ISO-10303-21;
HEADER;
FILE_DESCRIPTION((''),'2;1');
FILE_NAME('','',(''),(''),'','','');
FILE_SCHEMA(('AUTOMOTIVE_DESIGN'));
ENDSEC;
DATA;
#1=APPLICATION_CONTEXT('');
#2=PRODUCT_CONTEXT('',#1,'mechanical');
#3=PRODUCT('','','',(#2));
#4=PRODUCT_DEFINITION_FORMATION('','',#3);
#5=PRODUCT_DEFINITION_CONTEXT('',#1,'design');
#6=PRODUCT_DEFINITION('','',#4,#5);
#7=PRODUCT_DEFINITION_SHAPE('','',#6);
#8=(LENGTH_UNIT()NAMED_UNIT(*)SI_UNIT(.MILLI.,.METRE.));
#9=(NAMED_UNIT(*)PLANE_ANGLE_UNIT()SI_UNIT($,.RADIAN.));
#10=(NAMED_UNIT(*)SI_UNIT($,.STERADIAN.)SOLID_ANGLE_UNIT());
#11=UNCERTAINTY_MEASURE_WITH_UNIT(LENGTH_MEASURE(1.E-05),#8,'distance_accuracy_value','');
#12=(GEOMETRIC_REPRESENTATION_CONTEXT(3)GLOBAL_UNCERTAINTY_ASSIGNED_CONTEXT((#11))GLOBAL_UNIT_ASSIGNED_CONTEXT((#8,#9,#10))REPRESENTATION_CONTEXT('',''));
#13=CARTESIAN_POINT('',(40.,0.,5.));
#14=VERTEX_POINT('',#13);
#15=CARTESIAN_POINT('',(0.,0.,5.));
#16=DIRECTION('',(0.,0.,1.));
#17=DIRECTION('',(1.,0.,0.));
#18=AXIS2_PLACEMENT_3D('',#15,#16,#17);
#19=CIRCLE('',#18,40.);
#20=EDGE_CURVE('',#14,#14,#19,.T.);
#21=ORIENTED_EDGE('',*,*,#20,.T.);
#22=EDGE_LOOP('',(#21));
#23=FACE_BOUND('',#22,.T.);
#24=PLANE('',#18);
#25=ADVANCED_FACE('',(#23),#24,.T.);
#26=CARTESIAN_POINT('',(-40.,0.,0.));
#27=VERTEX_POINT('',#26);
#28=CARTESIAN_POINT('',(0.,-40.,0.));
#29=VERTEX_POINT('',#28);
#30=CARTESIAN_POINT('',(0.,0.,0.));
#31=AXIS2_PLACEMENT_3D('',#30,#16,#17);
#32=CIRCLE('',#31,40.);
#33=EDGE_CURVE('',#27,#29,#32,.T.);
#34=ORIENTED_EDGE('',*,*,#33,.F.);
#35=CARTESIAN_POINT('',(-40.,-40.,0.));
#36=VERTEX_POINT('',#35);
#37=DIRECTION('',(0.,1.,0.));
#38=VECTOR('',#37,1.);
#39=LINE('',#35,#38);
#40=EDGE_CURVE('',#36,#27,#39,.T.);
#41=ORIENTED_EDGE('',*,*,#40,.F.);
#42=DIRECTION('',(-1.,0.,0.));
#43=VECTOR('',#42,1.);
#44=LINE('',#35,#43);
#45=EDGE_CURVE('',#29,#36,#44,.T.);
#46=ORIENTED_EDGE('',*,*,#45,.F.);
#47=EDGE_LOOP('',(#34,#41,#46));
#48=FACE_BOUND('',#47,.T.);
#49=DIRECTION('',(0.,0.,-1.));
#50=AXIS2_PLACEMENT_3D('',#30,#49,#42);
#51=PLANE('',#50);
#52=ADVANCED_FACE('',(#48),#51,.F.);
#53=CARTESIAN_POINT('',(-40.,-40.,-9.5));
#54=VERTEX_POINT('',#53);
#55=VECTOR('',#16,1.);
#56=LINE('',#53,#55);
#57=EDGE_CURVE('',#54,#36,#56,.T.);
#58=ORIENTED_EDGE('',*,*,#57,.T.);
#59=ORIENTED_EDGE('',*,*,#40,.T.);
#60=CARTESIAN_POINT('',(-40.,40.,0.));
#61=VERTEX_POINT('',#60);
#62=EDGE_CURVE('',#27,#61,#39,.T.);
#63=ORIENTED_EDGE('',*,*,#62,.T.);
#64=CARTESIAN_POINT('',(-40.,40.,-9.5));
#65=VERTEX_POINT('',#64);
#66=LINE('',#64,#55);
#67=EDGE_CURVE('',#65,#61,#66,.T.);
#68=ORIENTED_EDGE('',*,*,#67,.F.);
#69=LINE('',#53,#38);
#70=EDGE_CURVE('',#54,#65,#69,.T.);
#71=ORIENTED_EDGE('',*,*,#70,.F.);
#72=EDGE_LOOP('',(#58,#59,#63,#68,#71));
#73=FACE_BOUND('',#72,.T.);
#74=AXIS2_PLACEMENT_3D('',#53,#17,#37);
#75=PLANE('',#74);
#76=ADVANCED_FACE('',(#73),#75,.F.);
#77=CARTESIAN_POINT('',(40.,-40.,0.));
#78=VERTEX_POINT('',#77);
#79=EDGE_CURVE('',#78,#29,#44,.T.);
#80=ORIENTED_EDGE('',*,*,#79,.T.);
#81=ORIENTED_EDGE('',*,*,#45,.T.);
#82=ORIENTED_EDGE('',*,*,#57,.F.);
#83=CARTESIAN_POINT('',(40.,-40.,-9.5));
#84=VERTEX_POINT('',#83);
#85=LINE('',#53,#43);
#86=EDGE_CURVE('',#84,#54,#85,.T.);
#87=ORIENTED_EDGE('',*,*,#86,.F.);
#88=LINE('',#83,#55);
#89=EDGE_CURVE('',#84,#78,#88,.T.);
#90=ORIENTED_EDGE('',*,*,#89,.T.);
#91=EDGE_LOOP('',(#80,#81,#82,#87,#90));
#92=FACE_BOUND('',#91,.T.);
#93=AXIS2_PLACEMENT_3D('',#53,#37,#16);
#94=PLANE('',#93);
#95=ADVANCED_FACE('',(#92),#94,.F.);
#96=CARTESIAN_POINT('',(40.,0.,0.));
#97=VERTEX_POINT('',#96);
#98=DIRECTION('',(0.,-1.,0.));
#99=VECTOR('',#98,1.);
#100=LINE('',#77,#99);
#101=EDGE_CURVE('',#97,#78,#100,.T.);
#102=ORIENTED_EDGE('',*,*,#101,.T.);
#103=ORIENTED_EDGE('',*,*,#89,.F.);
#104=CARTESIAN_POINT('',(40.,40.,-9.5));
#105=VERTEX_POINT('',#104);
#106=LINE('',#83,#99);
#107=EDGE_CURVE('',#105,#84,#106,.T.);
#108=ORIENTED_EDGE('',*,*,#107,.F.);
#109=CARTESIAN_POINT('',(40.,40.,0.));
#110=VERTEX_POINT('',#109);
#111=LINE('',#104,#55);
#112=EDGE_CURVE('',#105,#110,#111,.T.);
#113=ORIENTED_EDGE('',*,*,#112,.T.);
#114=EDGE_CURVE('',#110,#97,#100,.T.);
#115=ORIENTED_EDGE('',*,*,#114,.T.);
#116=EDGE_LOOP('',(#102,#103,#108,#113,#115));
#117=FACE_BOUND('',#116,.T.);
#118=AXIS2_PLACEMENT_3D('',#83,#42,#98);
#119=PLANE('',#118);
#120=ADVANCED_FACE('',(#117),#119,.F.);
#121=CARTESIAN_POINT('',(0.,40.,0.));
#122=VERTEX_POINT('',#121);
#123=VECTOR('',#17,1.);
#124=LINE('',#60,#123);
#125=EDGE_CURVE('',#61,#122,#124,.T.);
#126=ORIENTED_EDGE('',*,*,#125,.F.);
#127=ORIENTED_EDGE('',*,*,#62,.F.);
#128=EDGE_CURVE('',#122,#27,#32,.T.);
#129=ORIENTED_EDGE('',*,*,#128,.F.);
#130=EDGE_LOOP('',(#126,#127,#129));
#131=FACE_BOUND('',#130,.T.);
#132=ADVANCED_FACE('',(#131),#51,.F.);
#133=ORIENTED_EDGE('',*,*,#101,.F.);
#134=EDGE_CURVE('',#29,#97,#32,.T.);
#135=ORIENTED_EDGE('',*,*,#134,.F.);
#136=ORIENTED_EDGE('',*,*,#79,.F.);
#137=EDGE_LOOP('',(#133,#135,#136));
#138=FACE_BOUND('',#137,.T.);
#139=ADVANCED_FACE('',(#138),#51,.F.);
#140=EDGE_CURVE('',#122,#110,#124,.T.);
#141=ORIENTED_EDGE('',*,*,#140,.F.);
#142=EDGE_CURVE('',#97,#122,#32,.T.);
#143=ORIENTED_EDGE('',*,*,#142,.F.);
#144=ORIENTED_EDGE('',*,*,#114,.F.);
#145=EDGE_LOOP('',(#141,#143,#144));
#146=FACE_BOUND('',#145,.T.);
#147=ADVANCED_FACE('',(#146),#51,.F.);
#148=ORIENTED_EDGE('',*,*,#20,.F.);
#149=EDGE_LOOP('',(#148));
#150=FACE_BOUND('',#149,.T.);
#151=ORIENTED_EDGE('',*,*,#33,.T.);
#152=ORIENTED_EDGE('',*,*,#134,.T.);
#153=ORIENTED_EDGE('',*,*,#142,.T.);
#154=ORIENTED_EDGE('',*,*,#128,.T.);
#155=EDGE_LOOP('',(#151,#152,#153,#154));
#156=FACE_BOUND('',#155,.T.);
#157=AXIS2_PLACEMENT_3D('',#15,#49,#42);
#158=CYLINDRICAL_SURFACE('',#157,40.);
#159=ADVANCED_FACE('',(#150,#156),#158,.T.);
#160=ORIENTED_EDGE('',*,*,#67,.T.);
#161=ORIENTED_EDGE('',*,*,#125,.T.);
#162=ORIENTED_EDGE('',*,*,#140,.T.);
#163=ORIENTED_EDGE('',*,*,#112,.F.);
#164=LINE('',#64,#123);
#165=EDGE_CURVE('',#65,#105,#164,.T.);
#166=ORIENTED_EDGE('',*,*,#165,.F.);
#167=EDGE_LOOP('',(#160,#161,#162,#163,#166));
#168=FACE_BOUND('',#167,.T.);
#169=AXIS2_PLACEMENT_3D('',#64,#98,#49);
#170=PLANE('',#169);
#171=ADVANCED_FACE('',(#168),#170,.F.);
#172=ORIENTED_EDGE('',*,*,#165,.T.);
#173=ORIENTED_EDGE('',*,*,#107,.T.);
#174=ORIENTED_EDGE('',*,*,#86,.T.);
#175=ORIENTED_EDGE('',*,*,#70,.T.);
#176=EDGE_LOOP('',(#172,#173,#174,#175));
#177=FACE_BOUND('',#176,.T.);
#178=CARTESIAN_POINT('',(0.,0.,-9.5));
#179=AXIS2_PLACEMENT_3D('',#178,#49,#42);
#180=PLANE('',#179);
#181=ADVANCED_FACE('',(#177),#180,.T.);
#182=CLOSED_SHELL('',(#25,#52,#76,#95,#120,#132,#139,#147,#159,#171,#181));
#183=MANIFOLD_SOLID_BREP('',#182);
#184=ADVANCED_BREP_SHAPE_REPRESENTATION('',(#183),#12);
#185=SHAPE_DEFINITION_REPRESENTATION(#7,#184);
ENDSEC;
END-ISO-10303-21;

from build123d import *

# Parameters (mm, degrees)
SKETCH1_R           = 40
BOSS_EXTRUDE1_DEPTH = 5
SKETCH2_W           = 80
SKETCH2_H           = 80
BOSS_EXTRUDE2_DEPTH = 9.5


with BuildPart() as part:
    # Sketch1 → Boss-Extrude1 (new body)
    with BuildSketch(Plane(origin=(0, 0, 0), x_dir=(0, 1, 0), z_dir=(0, 0, 1))):
        Circle(SKETCH1_R)
    extrude(amount=BOSS_EXTRUDE1_DEPTH)

    # Sketch2 → Boss-Extrude2 (add)
    with BuildSketch(Plane(origin=(0, 0, 0), x_dir=(1, 0, 0), z_dir=(0, 0, -1))):
        Rectangle(SKETCH2_W, SKETCH2_H)
    extrude(amount=BOSS_EXTRUDE2_DEPTH)


solid = part.part
